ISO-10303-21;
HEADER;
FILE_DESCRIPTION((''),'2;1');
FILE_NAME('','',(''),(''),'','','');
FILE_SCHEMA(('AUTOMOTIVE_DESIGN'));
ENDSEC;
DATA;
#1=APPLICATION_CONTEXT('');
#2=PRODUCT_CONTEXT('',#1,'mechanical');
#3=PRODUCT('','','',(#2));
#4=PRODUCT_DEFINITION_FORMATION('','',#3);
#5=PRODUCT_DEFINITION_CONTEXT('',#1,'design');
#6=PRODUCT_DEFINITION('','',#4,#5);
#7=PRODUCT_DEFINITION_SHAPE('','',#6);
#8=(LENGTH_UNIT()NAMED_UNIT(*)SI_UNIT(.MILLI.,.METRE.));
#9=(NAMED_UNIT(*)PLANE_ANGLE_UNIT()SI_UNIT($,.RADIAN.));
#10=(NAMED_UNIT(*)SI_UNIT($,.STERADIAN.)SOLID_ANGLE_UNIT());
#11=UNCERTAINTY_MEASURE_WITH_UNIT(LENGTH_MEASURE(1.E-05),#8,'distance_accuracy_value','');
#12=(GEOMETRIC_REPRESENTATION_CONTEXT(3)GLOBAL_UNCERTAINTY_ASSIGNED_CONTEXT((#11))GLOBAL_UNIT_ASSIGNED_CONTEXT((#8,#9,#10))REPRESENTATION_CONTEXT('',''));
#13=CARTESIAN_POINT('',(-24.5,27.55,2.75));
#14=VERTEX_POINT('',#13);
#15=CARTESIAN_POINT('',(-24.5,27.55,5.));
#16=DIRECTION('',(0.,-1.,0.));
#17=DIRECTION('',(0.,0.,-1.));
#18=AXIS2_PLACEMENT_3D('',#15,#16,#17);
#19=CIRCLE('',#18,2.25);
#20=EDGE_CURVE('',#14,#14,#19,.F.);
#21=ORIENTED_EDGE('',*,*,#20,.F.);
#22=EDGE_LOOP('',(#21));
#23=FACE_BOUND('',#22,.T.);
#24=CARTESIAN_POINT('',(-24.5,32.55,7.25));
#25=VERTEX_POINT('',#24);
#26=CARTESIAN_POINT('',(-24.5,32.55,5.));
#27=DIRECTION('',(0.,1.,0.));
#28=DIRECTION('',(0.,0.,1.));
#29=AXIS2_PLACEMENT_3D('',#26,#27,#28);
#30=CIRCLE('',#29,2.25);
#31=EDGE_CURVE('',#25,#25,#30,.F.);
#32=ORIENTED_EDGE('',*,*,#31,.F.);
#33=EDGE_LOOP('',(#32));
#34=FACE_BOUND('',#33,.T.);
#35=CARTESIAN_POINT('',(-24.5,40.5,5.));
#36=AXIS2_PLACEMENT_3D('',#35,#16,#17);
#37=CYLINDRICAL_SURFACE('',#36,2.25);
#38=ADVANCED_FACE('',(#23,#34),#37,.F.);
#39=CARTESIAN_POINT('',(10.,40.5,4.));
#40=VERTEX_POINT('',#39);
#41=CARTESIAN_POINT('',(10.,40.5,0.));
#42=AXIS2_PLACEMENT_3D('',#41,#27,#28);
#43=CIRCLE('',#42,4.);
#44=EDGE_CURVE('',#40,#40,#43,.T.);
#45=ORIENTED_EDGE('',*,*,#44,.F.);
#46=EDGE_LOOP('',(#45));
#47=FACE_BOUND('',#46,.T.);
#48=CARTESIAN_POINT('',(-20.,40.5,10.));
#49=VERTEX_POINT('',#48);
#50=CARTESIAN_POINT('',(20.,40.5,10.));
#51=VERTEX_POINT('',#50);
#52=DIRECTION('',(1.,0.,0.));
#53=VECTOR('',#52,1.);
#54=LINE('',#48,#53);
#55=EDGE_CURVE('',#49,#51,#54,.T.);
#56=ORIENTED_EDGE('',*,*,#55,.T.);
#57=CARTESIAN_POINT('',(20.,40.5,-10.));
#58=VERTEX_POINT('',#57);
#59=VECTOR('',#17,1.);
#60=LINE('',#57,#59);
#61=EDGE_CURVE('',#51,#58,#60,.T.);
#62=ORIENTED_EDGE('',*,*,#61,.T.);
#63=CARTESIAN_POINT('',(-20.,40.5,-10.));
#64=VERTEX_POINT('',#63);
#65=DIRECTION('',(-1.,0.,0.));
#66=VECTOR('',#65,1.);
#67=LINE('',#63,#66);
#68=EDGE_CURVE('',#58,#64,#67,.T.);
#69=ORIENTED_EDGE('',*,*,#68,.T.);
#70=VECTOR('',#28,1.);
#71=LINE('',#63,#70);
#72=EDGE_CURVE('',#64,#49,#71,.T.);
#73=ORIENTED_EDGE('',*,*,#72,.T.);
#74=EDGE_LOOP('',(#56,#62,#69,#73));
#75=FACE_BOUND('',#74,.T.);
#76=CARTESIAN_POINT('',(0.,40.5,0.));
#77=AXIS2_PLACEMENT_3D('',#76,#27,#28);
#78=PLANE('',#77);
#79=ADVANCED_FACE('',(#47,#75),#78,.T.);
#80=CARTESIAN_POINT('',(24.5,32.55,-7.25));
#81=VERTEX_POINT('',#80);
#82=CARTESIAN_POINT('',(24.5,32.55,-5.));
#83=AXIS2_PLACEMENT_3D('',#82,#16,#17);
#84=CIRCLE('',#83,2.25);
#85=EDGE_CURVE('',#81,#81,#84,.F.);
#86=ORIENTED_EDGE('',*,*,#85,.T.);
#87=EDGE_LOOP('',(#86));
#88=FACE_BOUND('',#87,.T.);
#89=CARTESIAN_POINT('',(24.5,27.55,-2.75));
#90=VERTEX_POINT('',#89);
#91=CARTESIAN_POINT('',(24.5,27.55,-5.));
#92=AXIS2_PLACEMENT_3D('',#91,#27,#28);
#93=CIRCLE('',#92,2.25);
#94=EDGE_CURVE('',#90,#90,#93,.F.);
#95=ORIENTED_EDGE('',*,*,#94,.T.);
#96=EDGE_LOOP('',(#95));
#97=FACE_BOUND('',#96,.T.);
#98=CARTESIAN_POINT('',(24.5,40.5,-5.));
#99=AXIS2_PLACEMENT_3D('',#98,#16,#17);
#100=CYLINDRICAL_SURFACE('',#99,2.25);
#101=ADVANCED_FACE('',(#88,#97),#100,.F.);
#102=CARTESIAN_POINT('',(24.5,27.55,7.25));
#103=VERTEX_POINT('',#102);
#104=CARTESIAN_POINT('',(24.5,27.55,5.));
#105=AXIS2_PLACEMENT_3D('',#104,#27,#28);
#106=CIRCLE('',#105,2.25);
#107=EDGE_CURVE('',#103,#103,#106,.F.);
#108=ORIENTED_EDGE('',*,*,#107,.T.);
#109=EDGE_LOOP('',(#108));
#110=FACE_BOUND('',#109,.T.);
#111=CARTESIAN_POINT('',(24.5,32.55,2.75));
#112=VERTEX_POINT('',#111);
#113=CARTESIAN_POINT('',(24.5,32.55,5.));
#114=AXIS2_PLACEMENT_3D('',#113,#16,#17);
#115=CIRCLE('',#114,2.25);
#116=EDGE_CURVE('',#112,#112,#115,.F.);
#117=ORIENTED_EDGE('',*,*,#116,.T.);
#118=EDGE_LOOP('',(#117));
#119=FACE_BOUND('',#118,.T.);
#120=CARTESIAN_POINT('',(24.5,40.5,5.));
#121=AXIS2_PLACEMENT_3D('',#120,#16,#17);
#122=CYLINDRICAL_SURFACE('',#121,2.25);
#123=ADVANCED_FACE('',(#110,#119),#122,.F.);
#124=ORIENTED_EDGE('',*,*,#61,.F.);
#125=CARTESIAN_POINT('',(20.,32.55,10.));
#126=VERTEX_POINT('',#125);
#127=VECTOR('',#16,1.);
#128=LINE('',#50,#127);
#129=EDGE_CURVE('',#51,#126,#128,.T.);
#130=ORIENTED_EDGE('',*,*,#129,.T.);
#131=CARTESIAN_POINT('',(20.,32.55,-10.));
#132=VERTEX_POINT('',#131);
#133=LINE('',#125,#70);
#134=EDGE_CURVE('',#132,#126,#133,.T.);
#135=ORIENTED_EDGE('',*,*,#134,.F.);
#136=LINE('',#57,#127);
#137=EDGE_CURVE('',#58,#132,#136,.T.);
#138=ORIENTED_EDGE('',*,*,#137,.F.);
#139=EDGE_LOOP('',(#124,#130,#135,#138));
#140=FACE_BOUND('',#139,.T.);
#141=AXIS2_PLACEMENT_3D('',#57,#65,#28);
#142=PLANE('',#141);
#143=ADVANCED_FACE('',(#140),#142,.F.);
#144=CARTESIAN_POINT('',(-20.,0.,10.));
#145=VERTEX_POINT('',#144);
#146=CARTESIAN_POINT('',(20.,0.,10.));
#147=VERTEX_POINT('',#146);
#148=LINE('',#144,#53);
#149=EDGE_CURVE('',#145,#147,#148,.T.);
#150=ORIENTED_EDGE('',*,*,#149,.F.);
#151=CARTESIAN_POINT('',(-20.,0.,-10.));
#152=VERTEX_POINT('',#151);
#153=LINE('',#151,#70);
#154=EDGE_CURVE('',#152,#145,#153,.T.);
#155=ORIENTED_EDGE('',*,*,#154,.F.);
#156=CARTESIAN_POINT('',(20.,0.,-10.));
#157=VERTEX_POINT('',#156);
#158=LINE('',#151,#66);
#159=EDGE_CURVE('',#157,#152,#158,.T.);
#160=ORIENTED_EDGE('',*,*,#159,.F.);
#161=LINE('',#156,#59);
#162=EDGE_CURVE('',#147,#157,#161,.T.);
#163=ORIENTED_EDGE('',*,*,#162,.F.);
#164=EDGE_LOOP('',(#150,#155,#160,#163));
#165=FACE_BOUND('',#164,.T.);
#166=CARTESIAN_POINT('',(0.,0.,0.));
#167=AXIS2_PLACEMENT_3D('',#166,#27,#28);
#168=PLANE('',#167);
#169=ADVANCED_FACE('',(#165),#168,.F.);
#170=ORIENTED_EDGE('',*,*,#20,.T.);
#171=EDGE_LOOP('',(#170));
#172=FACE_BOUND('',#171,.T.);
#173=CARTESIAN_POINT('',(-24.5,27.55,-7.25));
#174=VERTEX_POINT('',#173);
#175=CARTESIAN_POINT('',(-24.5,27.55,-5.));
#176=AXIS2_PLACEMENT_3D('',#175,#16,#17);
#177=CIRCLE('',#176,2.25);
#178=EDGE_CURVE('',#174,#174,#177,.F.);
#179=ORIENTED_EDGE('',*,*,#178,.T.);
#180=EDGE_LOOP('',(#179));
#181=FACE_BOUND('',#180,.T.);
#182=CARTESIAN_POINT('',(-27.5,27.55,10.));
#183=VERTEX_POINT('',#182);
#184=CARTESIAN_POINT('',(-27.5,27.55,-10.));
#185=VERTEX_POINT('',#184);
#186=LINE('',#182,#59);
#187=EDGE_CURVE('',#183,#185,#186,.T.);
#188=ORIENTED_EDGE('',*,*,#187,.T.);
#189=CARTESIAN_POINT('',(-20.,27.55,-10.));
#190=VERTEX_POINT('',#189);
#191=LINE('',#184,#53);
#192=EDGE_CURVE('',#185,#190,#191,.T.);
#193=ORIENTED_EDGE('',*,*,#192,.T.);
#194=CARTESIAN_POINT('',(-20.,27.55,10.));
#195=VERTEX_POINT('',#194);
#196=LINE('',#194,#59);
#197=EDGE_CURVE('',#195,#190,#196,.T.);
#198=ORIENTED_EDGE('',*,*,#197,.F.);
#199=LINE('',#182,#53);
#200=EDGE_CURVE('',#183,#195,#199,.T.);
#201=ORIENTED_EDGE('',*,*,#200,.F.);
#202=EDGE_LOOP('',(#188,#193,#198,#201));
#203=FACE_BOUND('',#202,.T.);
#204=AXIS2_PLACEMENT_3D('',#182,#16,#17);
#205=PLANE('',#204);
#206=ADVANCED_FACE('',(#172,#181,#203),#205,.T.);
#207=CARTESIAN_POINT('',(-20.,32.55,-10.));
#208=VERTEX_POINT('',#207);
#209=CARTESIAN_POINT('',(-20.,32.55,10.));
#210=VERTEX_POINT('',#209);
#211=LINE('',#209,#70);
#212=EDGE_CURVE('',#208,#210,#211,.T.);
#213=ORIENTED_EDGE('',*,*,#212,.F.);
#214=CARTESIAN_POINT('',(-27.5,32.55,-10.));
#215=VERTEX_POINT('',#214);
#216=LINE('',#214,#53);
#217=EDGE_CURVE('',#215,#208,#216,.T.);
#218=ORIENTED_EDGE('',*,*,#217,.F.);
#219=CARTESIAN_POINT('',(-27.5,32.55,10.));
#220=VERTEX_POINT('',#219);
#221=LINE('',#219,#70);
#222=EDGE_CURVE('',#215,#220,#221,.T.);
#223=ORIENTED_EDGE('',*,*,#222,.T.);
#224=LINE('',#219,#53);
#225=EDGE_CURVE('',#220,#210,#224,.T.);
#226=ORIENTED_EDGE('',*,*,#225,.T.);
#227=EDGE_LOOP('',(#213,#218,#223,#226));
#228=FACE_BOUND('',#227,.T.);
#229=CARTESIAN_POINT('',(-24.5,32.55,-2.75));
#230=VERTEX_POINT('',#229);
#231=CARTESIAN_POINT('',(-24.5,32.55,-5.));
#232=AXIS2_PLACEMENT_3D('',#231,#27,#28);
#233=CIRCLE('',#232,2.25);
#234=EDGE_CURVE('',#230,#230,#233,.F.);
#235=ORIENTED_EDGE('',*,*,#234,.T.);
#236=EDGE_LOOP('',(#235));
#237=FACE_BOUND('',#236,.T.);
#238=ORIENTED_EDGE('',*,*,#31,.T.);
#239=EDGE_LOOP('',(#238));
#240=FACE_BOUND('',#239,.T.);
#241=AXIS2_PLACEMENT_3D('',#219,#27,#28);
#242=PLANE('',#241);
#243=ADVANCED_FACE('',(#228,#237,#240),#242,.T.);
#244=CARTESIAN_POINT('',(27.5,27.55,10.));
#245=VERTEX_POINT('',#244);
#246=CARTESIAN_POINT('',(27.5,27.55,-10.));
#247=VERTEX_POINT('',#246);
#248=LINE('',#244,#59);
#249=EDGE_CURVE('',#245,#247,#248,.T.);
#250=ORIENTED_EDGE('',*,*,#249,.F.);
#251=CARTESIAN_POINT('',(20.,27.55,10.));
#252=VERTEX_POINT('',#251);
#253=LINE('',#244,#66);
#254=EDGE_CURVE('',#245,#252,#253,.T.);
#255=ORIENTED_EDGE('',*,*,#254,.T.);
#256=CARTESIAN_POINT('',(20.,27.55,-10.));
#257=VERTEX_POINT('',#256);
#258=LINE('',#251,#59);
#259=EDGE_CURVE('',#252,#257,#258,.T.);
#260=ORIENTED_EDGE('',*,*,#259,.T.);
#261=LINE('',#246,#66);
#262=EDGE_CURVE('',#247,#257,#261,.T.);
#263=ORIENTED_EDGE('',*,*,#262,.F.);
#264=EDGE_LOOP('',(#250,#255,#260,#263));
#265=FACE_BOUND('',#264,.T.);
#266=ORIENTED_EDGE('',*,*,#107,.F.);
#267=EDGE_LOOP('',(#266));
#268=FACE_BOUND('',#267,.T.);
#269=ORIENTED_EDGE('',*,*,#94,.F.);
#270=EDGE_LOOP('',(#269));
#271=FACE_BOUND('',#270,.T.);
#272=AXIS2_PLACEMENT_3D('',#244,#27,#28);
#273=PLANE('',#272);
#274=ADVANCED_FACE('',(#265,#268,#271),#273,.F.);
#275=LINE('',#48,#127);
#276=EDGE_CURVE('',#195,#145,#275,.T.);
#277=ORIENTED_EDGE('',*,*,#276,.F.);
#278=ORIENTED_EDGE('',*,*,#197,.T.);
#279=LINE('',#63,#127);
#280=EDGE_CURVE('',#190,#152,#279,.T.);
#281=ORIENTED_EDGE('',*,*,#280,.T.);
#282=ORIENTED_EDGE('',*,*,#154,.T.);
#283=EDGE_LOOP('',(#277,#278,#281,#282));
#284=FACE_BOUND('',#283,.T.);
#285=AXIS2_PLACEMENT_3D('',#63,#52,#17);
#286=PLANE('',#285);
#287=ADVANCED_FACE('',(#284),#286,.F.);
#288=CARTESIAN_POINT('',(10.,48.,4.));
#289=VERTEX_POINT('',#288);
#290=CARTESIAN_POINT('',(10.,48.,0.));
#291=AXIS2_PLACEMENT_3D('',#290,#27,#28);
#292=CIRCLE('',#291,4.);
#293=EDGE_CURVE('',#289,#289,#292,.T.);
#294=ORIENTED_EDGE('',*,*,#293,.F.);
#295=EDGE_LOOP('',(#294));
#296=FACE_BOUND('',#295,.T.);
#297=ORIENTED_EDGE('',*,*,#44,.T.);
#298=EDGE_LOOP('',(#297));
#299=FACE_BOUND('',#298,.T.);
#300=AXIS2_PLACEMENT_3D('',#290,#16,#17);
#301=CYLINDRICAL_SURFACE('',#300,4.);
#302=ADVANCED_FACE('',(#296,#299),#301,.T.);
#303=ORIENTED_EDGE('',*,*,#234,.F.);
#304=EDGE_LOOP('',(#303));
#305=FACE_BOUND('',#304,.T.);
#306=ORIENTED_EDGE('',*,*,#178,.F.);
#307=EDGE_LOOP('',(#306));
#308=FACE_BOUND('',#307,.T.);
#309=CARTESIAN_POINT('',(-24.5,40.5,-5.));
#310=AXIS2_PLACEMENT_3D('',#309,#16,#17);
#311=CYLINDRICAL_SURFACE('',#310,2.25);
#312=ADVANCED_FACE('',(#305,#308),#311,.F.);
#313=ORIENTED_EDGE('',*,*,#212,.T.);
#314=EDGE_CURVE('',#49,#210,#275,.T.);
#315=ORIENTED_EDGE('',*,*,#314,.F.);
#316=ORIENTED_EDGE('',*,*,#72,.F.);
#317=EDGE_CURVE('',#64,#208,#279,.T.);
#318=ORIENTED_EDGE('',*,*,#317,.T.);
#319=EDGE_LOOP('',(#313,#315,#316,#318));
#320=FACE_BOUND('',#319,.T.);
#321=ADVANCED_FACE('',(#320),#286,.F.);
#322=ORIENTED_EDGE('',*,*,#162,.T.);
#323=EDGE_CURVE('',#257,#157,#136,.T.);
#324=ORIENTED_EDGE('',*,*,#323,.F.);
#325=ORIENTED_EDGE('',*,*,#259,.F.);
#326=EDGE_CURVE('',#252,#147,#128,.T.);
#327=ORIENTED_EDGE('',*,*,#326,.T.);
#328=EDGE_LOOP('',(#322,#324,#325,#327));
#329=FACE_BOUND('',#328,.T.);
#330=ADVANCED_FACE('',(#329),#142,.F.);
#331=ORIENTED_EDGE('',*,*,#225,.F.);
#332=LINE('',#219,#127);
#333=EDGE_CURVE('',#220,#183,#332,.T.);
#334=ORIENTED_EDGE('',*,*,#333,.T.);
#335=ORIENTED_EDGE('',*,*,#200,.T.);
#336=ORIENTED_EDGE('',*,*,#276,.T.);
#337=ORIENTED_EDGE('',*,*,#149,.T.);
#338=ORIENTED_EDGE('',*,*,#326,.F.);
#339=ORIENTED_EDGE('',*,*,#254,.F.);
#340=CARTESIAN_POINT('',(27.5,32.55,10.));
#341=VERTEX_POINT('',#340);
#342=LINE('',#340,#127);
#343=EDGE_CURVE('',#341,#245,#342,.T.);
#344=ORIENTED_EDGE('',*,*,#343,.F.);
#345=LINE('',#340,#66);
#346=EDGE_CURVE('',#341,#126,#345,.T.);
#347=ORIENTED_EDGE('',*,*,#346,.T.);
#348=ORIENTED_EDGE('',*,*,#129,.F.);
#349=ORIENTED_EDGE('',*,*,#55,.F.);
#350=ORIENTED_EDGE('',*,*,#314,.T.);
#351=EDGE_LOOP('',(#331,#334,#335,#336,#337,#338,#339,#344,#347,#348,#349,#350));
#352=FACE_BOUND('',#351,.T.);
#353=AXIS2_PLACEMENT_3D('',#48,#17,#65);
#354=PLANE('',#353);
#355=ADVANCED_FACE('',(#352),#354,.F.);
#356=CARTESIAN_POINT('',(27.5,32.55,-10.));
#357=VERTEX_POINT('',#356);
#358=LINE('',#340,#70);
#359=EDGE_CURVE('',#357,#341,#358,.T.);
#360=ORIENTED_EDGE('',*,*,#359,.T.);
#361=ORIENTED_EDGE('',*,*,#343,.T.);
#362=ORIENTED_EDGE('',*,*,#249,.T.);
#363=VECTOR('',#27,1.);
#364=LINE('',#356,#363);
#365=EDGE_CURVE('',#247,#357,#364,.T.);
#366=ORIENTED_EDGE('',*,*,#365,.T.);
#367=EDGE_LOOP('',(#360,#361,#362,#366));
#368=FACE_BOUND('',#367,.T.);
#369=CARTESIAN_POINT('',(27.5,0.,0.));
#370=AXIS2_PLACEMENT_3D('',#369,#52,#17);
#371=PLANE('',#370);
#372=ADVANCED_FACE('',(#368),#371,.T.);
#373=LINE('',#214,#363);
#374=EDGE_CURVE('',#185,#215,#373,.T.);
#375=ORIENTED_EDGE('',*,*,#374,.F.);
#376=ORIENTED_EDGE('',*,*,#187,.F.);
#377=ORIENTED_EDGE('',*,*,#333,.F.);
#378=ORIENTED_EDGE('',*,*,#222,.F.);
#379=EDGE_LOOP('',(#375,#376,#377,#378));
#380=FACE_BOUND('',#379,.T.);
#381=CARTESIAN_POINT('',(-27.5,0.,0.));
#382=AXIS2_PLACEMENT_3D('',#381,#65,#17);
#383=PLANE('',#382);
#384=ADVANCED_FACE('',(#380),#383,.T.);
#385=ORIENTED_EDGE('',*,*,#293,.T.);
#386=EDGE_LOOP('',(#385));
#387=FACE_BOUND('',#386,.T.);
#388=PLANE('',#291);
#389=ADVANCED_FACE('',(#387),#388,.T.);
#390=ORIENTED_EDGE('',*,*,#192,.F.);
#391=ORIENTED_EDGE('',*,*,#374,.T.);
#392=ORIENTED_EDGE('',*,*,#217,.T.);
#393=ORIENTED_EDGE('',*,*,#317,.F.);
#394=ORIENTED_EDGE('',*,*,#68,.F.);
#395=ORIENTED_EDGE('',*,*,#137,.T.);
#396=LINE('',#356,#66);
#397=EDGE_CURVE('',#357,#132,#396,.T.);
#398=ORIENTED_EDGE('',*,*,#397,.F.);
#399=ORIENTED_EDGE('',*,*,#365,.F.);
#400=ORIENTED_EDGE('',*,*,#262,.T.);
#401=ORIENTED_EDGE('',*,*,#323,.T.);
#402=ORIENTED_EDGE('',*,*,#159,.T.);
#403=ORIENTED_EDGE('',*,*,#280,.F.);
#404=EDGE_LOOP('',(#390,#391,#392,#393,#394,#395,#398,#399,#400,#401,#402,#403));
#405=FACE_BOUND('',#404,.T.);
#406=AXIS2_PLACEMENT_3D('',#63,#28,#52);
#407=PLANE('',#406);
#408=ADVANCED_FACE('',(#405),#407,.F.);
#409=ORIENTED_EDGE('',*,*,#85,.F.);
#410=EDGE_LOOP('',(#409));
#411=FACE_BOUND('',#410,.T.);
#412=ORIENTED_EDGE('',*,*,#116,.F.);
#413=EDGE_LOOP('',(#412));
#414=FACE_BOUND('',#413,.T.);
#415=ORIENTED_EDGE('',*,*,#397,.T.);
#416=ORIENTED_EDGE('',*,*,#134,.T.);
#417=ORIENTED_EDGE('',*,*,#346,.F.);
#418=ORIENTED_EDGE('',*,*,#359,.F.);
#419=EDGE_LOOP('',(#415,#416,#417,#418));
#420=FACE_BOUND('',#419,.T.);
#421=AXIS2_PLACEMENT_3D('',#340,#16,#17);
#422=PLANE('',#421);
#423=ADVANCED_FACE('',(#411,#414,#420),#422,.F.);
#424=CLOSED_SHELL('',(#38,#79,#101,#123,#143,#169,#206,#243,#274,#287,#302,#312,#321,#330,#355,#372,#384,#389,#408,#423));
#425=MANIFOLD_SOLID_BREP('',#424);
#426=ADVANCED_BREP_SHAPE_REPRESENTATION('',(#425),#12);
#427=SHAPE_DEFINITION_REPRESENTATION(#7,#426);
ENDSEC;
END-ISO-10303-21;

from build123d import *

# Parameters (mm, degrees)
SKETCH1_W           = 40
SKETCH1_H           = 20
BOSS_EXTRUDE1_DEPTH = 40.5
SKETCH2_W           = 20
SKETCH2_H           = 5
BOSS_EXTRUDE2_DEPTH = 7.5
SKETCH3_R           = 2.25
CUT_EXTRUDE1_DEPTH  = 50.964987741
SKETCH4_R           = 4
BOSS_EXTRUDE3_DEPTH = 7.5


with BuildPart() as part:
    # Sketch1 → Boss-Extrude1 (new body)
    with BuildSketch(Plane(origin=(0, 0, 0), x_dir=(1, 0, 0), z_dir=(0, 1, 0))):
        Rectangle(SKETCH1_W, SKETCH1_H)
    extrude(amount=BOSS_EXTRUDE1_DEPTH)

    # Sketch2 → Boss-Extrude2 (add)
    with BuildSketch(Plane(origin=(20, 0, 0), x_dir=(0, 0, -1), z_dir=(1, 0, 0))):
        with Locations((0, 30.05)):
            Rectangle(SKETCH2_W, SKETCH2_H)
    boss_extrude2 = extrude(amount=BOSS_EXTRUDE2_DEPTH)

    # Mirror1: Boss-Extrude2 across plane
    add(boss_extrude2.mirror(Plane(origin=(0, 0, 0), x_dir=(0, 0, 1), z_dir=(1, 0, 0))))

    # Sketch3 → Cut-Extrude1 (cut, through all)
    with BuildSketch(Plane(origin=(0, 0, 0), x_dir=(1, 0, 0), z_dir=(0, 1, 0))):
        with Locations(Location((-24.5, 5, 0), (0, 0, 90))):
            Circle(SKETCH3_R)
        with Locations(Location((24.5, 5, 0), (0, 0, 90))):
            Circle(SKETCH3_R)
        with Locations(Location((24.5, -5, 0), (0, 0, 90))):
            Circle(SKETCH3_R)
        with Locations(Location((-24.5, -5, 0), (0, 0, 90))):
            Circle(SKETCH3_R)
    extrude(amount=CUT_EXTRUDE1_DEPTH, mode=Mode.SUBTRACT)

    # Sketch4 → Boss-Extrude3 (add)
    with BuildSketch(Plane(origin=(0, 40.5, 0), x_dir=(1, 0, 0), z_dir=(0, 1, 0))):
        with Locations(Location((10, 0, 0), (0, 0, 270))):
            Circle(SKETCH4_R)
    extrude(amount=BOSS_EXTRUDE3_DEPTH)


solid = part.part
